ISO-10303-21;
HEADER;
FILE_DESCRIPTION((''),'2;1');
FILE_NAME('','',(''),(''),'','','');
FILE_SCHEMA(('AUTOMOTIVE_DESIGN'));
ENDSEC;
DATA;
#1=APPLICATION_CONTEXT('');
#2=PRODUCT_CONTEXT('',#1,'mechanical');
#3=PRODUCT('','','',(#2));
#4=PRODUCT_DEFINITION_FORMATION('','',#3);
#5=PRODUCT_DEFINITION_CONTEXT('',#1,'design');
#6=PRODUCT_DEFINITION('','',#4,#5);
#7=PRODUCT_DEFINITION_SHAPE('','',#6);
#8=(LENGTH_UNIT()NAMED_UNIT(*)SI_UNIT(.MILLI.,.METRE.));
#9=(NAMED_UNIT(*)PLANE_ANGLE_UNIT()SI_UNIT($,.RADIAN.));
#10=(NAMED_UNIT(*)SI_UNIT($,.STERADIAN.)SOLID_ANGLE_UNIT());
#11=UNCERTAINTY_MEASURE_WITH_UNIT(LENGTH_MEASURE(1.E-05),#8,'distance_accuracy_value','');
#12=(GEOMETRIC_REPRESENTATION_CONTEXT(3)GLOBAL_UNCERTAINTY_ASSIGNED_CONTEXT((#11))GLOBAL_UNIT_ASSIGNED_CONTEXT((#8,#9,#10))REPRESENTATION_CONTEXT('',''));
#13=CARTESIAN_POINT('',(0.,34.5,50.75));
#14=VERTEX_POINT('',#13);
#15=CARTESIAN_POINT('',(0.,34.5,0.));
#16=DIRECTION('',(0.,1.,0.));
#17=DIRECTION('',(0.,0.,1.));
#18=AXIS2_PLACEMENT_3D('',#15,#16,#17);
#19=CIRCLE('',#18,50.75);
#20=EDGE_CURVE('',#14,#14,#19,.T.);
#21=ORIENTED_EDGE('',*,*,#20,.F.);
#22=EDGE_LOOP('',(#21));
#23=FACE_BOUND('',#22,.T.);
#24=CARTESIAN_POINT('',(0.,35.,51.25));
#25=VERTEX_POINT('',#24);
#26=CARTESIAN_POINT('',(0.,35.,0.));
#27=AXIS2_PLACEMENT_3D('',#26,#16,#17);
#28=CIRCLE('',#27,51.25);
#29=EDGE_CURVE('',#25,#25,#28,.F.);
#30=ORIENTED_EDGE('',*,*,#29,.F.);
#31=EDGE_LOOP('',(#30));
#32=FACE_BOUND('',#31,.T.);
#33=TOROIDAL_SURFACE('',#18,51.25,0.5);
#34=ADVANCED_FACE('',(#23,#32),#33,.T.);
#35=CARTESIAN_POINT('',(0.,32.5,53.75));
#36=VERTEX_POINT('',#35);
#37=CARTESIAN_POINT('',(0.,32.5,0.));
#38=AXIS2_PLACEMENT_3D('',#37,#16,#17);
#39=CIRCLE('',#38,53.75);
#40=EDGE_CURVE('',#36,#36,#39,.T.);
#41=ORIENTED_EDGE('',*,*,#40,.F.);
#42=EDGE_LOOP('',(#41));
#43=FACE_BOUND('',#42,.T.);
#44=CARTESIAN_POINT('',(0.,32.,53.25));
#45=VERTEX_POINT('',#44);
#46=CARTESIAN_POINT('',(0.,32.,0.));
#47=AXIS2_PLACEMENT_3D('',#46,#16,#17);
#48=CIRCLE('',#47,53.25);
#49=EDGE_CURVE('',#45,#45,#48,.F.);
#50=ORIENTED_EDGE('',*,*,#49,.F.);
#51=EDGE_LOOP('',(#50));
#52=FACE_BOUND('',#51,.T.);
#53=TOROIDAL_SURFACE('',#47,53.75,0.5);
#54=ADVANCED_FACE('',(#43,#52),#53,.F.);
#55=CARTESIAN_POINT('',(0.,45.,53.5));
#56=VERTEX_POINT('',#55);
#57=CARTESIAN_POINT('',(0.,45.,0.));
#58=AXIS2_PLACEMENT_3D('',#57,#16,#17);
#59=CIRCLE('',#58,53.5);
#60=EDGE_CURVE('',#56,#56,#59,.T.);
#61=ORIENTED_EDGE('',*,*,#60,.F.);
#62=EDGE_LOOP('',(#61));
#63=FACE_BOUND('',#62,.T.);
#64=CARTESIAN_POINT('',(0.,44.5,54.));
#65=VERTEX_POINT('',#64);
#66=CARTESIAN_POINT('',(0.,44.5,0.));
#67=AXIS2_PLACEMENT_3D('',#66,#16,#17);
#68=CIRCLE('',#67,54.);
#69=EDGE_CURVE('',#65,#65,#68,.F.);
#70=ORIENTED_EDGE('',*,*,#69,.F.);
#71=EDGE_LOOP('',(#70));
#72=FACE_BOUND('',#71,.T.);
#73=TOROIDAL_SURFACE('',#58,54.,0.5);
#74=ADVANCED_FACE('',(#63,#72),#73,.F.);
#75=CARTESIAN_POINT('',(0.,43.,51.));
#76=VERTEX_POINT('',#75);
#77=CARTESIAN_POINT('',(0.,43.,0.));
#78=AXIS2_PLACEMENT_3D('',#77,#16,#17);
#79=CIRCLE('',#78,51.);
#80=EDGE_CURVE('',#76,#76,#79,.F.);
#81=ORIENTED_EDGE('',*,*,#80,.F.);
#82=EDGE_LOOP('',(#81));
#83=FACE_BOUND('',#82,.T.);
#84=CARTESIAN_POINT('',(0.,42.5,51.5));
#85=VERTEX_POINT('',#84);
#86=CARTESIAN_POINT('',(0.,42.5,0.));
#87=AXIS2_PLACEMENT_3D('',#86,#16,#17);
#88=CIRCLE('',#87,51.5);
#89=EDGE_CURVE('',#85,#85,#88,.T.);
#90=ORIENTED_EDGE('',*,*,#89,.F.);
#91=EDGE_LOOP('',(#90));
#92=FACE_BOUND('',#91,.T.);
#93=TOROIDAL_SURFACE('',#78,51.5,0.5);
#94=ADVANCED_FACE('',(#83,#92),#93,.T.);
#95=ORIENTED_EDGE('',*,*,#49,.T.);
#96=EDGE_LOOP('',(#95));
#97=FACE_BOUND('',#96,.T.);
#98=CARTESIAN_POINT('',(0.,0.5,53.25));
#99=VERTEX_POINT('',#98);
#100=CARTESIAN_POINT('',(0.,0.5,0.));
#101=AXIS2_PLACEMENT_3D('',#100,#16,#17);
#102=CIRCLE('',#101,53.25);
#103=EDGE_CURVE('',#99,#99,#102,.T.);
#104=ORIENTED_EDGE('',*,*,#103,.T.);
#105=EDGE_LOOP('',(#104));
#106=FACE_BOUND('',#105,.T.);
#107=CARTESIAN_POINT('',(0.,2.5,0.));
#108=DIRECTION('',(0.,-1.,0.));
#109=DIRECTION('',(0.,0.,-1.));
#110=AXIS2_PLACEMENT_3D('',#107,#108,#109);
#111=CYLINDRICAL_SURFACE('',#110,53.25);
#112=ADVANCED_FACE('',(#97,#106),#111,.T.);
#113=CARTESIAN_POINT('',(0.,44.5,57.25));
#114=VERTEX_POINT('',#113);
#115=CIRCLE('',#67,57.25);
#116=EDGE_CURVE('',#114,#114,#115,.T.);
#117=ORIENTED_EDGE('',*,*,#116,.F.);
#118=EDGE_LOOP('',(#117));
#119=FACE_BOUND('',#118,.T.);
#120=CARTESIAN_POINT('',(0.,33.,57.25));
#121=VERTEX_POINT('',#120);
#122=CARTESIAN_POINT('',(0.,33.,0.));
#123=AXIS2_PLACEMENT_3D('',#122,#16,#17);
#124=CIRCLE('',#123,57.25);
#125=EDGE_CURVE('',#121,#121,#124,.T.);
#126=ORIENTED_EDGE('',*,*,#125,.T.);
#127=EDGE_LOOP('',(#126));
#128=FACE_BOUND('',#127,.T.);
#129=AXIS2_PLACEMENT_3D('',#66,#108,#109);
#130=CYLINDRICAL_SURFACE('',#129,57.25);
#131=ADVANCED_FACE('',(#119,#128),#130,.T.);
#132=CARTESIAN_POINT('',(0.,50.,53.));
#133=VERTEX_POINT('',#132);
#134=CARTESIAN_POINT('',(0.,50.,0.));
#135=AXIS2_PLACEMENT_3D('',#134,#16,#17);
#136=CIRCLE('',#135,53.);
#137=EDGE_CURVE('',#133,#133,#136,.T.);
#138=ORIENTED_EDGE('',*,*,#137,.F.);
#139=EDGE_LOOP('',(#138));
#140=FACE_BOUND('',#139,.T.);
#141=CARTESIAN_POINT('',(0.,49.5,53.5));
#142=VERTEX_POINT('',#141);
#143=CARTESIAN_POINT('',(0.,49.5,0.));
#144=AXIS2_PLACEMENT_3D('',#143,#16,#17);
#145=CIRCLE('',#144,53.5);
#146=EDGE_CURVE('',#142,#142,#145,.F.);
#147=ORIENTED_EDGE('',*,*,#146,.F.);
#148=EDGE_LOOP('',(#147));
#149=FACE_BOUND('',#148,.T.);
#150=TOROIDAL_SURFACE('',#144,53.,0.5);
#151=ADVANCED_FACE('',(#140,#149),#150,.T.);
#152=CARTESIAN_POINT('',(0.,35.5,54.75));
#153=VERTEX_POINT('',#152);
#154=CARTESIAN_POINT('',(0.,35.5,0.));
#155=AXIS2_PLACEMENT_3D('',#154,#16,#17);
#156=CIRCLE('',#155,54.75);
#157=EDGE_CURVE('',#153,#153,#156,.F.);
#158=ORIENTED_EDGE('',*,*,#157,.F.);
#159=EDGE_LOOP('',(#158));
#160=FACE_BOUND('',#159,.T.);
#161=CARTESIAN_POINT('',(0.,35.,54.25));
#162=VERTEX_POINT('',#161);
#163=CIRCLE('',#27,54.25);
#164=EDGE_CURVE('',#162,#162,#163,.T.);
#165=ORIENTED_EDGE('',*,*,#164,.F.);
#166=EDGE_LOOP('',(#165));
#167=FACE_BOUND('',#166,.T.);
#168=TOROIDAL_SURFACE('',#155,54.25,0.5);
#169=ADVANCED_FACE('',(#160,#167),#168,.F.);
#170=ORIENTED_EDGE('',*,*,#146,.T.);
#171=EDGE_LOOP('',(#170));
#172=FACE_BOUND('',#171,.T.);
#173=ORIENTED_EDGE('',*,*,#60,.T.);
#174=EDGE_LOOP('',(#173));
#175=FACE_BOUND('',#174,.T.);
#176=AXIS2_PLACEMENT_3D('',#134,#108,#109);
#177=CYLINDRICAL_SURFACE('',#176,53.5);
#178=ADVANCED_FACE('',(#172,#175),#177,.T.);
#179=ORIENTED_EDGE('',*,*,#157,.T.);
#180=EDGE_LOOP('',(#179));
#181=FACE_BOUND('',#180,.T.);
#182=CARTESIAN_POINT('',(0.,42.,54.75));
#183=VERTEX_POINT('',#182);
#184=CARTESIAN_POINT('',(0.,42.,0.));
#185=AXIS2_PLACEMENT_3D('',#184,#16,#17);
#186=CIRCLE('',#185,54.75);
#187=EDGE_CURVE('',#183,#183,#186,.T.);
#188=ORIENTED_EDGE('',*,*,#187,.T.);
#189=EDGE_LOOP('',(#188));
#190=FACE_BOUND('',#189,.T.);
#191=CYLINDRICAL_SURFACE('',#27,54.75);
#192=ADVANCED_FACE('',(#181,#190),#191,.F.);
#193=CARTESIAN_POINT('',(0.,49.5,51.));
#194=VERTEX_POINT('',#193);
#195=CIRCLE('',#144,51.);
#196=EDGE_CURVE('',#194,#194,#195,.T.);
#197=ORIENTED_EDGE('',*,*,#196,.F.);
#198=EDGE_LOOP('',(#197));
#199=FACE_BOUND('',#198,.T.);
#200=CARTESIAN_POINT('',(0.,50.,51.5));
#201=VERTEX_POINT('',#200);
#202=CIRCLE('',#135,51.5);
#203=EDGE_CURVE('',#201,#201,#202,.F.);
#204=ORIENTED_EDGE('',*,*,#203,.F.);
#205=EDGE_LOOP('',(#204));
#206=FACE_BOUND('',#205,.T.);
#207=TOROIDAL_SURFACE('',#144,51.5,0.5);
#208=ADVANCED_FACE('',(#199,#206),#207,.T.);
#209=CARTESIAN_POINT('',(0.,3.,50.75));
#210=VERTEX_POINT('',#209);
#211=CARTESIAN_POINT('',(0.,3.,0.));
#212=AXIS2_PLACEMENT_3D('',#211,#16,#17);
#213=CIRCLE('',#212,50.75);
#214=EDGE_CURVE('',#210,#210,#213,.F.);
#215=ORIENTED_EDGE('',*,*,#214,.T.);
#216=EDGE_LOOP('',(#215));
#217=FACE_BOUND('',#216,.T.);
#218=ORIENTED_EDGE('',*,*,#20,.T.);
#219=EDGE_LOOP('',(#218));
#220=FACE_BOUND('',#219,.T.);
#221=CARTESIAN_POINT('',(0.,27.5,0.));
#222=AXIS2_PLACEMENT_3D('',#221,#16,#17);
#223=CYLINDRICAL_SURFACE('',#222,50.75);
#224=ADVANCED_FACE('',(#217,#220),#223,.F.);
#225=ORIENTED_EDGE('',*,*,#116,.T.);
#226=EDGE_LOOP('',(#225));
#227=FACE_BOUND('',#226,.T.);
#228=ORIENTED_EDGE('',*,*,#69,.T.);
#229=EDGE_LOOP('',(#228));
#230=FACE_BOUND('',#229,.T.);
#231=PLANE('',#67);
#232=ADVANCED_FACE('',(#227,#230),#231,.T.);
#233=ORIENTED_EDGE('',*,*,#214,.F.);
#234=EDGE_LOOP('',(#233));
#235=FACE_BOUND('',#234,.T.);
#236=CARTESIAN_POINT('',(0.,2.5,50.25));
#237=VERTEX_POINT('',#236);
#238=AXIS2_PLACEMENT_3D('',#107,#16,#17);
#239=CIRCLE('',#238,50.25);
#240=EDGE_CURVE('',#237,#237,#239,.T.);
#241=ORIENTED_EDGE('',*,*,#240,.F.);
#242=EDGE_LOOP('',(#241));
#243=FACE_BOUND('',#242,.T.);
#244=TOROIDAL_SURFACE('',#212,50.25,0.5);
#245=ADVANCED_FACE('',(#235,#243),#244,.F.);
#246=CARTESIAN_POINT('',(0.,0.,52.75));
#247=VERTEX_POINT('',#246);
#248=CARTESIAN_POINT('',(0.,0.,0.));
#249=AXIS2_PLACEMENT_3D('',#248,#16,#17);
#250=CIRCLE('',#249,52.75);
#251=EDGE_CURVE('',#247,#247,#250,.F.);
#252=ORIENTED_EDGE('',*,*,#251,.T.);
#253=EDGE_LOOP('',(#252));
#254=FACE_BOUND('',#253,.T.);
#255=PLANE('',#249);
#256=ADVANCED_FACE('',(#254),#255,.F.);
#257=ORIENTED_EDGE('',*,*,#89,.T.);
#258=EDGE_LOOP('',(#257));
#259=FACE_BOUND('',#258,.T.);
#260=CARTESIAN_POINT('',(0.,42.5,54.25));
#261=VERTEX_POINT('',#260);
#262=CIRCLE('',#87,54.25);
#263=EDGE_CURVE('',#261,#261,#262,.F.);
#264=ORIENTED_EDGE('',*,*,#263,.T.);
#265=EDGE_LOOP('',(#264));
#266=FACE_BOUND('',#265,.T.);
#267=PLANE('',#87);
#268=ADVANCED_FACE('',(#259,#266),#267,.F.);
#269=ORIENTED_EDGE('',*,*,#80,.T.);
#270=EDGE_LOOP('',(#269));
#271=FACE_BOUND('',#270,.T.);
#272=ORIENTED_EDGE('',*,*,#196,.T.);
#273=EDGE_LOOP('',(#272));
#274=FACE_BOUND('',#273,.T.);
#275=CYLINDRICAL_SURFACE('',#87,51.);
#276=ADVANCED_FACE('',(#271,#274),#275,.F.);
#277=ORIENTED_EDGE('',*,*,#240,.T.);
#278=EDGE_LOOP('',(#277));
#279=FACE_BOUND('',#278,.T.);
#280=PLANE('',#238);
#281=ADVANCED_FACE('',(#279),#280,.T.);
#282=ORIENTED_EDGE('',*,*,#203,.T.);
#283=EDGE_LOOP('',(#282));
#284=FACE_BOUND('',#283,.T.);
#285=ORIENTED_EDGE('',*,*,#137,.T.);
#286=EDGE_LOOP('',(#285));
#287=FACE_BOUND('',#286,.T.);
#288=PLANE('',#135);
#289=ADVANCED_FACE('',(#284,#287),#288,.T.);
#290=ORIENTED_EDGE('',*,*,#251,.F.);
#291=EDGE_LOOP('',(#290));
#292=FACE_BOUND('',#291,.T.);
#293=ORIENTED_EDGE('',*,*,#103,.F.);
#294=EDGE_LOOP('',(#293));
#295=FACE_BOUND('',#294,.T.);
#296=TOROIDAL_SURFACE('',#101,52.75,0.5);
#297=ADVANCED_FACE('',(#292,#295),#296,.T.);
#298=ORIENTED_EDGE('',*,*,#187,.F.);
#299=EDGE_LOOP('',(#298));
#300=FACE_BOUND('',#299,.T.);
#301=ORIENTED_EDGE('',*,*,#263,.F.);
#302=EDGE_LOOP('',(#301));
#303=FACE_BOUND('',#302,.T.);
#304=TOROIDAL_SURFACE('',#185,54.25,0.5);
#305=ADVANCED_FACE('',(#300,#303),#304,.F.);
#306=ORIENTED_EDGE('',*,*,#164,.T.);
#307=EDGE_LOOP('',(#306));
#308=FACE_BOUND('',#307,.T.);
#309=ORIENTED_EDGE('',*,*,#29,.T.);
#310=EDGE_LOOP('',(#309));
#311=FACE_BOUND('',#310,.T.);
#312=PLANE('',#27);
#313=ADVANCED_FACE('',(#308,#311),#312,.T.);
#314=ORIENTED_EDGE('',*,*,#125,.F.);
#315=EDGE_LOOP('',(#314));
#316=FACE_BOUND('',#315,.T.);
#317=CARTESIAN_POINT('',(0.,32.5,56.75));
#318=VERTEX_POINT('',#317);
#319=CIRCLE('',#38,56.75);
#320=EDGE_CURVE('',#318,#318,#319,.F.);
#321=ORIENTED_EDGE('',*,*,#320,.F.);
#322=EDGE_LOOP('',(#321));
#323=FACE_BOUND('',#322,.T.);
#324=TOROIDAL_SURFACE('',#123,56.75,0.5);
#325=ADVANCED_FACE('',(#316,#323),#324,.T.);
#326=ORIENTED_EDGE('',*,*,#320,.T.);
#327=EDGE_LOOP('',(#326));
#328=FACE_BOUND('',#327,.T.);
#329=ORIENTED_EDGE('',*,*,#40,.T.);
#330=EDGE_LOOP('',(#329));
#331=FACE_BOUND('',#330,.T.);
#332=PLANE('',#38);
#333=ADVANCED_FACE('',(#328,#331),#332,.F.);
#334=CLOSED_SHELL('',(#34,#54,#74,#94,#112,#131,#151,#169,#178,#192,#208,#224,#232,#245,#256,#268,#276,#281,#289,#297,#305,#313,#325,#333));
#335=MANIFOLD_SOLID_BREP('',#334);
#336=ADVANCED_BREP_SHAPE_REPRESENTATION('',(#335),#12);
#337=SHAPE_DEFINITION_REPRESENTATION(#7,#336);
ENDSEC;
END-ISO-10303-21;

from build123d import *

# Parameters (mm, degrees)
ESBO_O1_R                = 53.25
RESSALTO_EXTRUS_O1_DEPTH = 2.5
ESBO_O2_R                = 53.25
ESBO_O2_R_2              = 50.75
RESSALTO_EXTRUS_O2_DEPTH = 30
ESBO_O3_R                = 57.25
RESSALTO_EXTRUS_O3_DEPTH = 12
ESBO_O6_R                = 53.5
RESSALTO_EXTRUS_O4_DEPTH = 5.5
ESBO_O7_R                = 51
CORTE_EXTRUS_O4_DEPTH    = 7.5
ESBO_O8_R                = 54.75
CORTE_EXTRUS_O5_DEPTH    = 7.5
CORTE_EXTRUS_O6_START    = -7.5
ESBO_O9_R                = 50.75
CORTE_EXTRUS_O6_DEPTH    = 7.5
FILETE1_R                = 0.5
FILETE2_R                = 0.5


with BuildPart() as part:
    # Esboço1 → Ressalto-extrusão1 (new body)
    with BuildSketch(Plane(origin=(0, 0, 0), x_dir=(1, 0, 0), z_dir=(0, 1, 0))):
        Circle(ESBO_O1_R)
    extrude(amount=RESSALTO_EXTRUS_O1_DEPTH)

    # Esboço2 → Ressalto-extrusão2 (add)
    with BuildSketch(Plane(origin=(0, 2.5, 0), x_dir=(1, 0, 0), z_dir=(0, 1, 0))):
        Circle(ESBO_O2_R)
        Circle(ESBO_O2_R_2, mode=Mode.SUBTRACT)
    extrude(amount=RESSALTO_EXTRUS_O2_DEPTH)


with BuildPart() as body_2:
    # Esboço3 → Ressalto-extrusão3 (new body)
    with BuildSketch(Plane(origin=(0, 32.5, 0), x_dir=(1, 0, 0), z_dir=(0, 1, 0))):
        Circle(ESBO_O3_R)
    extrude(amount=RESSALTO_EXTRUS_O3_DEPTH)

    # Esboço6 → Ressalto-extrusão4 (add)
    with BuildSketch(Plane(origin=(0, 44.5, 0), x_dir=(1, 0, 0), z_dir=(0, 1, 0))):
        Circle(ESBO_O6_R)
    extrude(amount=RESSALTO_EXTRUS_O4_DEPTH)

    # Esboço7 → Corte-extrusão4 (cut)
    with BuildSketch(Plane(origin=(0, 50, 0), x_dir=(1, 0, 0), z_dir=(0, 1, 0))):
        Circle(ESBO_O7_R)
    extrude(amount=-CORTE_EXTRUS_O4_DEPTH, mode=Mode.SUBTRACT)

    # Esboço8 → Corte-extrusão5 (cut)
    with BuildSketch(Plane(origin=(0, 42.5, 0), x_dir=(1, 0, 0), z_dir=(0, 1, 0))):
        Circle(ESBO_O8_R)
    extrude(amount=-CORTE_EXTRUS_O5_DEPTH, mode=Mode.SUBTRACT)

    # Esboço9 → Corte-extrusão6 (cut)
    with BuildSketch(Plane(origin=(0, 35, 0), x_dir=(1, 0, 0), z_dir=(0, 1, 0)).offset(CORTE_EXTRUS_O6_START)):
        Circle(ESBO_O9_R)
    extrude(amount=CORTE_EXTRUS_O6_DEPTH, mode=Mode.SUBTRACT)

    # Combinar3: union part
    add(part.part)

    # Filete1
    filete1_edges = [body_2.edges().sort_by_distance(p)[0] for p in [
        (-57.25, 32.5, 0),
        (-51, 50, 0),
        (-53.5, 50, 0),
        (-53.5, 44.5, 0),
        (-53.25, 32.5, 0),
        (-53.25, 0, 0),
    ]]
    fillet(filete1_edges, radius=FILETE1_R)

    # Filete2
    filete2_edges = [body_2.edges().sort_by_distance(p)[0] for p in [
        (-51, 42.5, 0),
        (-54.75, 35, 0),
        (-50.75, 2.5, 0),
        (-50.75, 35, 0),
        (-54.75, 42.5, 0),
    ]]
    fillet(filete2_edges, radius=FILETE2_R)


solid = body_2.part
